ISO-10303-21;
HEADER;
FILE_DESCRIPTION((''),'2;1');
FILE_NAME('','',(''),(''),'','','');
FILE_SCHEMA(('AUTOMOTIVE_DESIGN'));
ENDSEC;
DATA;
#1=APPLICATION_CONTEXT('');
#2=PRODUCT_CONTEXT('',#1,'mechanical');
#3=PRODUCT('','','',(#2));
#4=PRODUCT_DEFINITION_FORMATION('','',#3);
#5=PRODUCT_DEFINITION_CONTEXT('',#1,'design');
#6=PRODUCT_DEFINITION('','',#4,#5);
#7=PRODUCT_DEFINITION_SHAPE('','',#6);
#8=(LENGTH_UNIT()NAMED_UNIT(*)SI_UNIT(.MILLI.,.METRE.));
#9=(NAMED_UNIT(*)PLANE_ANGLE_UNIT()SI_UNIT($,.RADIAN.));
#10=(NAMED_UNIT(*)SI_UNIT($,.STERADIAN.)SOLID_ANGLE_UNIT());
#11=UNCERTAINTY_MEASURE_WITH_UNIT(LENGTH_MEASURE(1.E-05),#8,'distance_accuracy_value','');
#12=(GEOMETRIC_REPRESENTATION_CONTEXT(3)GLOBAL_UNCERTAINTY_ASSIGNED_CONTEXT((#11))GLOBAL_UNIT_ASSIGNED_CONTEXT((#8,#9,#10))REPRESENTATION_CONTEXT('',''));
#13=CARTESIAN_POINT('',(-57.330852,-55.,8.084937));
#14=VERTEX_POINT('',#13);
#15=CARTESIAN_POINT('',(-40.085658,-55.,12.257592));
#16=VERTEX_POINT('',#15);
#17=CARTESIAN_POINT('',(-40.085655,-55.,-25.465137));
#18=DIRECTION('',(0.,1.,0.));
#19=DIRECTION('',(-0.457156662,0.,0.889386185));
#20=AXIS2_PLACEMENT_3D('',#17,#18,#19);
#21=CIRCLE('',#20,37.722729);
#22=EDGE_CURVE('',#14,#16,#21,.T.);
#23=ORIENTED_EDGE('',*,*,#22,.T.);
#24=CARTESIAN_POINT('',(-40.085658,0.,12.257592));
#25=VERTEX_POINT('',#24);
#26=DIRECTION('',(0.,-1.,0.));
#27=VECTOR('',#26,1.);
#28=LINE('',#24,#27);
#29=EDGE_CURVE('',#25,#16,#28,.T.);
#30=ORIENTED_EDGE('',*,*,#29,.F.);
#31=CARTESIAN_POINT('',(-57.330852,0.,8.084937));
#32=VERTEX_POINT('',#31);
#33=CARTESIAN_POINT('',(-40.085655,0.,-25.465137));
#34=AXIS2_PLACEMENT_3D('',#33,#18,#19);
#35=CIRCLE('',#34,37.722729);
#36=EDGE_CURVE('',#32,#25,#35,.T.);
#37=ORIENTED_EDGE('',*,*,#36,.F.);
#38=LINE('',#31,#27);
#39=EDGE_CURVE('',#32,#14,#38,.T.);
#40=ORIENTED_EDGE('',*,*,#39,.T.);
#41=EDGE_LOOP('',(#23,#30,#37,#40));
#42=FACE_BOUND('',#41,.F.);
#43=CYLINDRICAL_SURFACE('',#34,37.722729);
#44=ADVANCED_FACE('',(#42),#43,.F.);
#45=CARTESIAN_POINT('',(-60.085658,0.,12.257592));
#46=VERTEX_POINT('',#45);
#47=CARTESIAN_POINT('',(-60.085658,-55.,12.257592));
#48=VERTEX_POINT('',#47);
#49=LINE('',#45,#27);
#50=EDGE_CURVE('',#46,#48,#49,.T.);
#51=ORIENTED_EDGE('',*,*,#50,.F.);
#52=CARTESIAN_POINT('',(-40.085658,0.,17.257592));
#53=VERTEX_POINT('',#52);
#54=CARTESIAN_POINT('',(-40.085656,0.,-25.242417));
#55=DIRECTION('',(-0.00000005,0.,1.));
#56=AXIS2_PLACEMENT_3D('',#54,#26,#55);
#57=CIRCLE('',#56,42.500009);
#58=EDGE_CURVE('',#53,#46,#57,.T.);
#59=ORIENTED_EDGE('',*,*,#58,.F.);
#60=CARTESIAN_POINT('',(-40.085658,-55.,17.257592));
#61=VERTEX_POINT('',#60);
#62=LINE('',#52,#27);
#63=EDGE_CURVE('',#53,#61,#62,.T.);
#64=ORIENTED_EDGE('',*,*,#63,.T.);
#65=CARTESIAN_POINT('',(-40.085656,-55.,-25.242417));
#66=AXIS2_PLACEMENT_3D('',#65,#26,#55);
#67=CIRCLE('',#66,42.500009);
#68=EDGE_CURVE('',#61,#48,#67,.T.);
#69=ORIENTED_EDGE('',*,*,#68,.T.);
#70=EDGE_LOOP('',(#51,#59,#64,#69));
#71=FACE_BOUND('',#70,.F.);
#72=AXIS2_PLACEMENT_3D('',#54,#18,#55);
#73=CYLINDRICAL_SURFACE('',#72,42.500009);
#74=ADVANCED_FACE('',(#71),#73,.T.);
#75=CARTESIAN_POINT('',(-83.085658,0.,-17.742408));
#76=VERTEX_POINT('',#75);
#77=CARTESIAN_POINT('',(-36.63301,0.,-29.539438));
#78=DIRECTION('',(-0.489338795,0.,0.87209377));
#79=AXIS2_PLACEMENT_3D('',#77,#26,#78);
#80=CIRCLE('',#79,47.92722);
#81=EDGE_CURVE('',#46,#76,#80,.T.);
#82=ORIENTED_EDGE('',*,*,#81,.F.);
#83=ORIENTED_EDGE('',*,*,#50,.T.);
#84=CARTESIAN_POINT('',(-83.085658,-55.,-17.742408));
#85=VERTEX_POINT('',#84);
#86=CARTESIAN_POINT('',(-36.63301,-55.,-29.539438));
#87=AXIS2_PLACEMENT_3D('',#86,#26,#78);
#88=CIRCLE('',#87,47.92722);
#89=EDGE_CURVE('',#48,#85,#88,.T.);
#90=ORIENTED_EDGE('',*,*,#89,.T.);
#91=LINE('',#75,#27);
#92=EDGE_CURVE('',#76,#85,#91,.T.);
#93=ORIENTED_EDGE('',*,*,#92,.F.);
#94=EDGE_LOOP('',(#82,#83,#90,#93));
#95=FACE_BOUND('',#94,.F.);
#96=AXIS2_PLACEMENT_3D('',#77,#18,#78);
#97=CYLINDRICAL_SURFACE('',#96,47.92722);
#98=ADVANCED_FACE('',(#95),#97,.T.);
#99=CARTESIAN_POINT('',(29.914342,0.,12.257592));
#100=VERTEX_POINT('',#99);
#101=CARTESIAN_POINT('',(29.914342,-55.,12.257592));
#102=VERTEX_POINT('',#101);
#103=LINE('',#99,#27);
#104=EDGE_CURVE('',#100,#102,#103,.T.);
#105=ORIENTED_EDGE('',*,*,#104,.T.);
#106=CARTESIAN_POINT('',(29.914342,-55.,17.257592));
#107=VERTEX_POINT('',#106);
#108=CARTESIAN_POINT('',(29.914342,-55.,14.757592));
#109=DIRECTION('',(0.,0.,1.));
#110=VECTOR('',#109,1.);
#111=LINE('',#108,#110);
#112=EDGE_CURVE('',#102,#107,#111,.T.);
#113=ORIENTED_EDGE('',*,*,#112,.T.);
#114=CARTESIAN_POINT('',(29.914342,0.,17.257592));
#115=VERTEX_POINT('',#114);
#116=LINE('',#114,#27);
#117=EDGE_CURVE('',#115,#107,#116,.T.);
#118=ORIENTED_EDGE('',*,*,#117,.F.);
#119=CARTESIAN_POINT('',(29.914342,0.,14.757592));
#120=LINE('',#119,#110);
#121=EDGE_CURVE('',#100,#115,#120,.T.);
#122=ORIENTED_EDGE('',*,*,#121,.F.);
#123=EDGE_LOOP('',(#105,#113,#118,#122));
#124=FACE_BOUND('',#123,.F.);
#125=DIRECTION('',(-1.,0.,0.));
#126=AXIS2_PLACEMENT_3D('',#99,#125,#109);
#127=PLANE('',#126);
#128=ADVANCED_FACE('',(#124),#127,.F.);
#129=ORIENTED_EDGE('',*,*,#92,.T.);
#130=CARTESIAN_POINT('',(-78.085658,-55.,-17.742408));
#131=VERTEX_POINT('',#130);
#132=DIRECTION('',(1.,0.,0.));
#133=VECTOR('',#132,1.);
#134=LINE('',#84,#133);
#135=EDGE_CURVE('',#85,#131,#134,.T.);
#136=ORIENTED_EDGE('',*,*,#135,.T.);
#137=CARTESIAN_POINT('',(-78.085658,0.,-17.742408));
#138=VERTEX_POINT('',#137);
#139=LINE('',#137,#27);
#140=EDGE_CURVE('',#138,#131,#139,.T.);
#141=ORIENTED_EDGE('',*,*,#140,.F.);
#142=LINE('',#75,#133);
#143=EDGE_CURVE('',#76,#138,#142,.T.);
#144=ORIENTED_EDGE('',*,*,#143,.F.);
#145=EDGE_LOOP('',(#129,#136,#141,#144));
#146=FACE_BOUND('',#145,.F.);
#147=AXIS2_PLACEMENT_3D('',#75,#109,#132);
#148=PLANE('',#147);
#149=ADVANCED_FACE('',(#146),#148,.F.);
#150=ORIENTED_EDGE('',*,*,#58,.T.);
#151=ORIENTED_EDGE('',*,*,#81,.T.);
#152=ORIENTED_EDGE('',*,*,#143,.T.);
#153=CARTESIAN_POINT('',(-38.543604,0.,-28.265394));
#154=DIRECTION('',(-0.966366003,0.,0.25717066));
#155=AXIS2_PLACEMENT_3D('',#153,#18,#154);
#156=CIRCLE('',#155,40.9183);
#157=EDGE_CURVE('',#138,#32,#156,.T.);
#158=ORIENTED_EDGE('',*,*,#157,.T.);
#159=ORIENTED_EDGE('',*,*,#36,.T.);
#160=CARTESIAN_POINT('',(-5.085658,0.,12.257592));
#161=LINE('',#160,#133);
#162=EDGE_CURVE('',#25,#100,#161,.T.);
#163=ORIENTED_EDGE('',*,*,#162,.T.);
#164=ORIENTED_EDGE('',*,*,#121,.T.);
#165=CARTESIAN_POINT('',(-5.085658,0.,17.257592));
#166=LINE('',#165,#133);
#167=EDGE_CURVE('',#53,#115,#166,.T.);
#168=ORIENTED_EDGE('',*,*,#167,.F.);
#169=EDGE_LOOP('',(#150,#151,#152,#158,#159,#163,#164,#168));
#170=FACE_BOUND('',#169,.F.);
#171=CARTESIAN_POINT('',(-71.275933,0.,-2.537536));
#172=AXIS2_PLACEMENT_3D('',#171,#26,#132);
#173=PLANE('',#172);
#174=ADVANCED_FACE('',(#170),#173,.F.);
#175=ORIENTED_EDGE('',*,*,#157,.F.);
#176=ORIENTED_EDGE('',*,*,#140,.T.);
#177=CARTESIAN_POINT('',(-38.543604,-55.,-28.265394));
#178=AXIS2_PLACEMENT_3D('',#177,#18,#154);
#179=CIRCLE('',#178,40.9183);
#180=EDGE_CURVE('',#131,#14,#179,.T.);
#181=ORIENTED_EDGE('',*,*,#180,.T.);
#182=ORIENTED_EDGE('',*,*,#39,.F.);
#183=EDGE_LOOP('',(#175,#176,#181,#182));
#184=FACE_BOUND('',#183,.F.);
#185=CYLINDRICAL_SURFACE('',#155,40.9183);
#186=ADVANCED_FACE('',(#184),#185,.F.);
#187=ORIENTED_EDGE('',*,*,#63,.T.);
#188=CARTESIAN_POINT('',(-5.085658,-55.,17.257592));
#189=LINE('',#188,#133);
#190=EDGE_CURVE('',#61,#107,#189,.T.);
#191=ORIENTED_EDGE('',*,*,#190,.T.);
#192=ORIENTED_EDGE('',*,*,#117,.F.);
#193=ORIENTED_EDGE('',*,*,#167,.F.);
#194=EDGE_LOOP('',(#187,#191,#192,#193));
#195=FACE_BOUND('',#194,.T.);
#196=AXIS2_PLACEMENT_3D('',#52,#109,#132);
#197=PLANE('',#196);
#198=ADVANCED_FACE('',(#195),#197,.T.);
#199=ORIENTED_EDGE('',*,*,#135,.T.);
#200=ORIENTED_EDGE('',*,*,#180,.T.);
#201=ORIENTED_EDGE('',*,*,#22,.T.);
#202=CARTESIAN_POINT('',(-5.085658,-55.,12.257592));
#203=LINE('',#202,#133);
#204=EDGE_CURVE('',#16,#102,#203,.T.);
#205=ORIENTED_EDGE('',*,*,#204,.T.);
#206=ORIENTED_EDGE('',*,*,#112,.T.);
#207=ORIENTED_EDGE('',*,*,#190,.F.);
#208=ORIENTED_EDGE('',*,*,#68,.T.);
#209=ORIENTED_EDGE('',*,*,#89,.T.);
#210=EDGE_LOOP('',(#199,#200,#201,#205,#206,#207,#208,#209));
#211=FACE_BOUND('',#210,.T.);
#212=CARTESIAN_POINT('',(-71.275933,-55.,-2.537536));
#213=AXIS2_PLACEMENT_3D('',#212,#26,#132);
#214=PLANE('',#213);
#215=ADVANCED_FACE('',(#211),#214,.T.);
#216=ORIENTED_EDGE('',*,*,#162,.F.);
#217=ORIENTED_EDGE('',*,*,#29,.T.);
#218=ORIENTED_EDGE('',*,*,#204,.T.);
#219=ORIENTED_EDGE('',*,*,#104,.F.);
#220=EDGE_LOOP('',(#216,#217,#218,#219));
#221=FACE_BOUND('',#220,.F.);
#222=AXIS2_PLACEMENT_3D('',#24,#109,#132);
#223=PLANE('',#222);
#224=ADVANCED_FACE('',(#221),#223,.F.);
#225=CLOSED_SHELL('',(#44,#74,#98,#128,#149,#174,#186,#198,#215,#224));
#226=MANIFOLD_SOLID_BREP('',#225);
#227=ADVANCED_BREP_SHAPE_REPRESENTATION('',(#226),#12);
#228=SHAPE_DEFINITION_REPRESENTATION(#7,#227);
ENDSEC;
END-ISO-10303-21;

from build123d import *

# Parameters (mm, degrees)
F0_W     = 70
F0_H     = 5
F1_DEPTH = 55


with BuildPart() as f1:
    # F0 (on Front) → F1 (new body)
    with BuildSketch(Plane.XZ):
        with BuildLine():
            Line((-57.330852, 8.084937), (-60.085658, 12.257592))
            ThreePointArc((-60.085658, 12.257592), (-74.668357, -0.379006), (-83.085658, -17.742408))
            Line((-83.085658, -17.742408), (-78.085658, -17.742408))
            ThreePointArc((-78.085658, -17.742408), (-70.439369, -2.634018), (-57.330852, 8.084937))
        make_face()
        with BuildLine():
            Line((-40.085658, 12.257592), (-40.085658, 17.257592))
            ThreePointArc((-40.085658, 17.257592), (-50.393422, 15.988648), (-60.085658, 12.257592))
            Line((-60.085658, 12.257592), (-57.330852, 8.084937))
            ThreePointArc((-57.330852, 8.084937), (-48.95707, 11.199591), (-40.085658, 12.257592))
        make_face()
        with Locations((-5.085658, 14.757592)):
            Rectangle(F0_W, F0_H)
    extrude(amount=F1_DEPTH)


solid = f1.part
